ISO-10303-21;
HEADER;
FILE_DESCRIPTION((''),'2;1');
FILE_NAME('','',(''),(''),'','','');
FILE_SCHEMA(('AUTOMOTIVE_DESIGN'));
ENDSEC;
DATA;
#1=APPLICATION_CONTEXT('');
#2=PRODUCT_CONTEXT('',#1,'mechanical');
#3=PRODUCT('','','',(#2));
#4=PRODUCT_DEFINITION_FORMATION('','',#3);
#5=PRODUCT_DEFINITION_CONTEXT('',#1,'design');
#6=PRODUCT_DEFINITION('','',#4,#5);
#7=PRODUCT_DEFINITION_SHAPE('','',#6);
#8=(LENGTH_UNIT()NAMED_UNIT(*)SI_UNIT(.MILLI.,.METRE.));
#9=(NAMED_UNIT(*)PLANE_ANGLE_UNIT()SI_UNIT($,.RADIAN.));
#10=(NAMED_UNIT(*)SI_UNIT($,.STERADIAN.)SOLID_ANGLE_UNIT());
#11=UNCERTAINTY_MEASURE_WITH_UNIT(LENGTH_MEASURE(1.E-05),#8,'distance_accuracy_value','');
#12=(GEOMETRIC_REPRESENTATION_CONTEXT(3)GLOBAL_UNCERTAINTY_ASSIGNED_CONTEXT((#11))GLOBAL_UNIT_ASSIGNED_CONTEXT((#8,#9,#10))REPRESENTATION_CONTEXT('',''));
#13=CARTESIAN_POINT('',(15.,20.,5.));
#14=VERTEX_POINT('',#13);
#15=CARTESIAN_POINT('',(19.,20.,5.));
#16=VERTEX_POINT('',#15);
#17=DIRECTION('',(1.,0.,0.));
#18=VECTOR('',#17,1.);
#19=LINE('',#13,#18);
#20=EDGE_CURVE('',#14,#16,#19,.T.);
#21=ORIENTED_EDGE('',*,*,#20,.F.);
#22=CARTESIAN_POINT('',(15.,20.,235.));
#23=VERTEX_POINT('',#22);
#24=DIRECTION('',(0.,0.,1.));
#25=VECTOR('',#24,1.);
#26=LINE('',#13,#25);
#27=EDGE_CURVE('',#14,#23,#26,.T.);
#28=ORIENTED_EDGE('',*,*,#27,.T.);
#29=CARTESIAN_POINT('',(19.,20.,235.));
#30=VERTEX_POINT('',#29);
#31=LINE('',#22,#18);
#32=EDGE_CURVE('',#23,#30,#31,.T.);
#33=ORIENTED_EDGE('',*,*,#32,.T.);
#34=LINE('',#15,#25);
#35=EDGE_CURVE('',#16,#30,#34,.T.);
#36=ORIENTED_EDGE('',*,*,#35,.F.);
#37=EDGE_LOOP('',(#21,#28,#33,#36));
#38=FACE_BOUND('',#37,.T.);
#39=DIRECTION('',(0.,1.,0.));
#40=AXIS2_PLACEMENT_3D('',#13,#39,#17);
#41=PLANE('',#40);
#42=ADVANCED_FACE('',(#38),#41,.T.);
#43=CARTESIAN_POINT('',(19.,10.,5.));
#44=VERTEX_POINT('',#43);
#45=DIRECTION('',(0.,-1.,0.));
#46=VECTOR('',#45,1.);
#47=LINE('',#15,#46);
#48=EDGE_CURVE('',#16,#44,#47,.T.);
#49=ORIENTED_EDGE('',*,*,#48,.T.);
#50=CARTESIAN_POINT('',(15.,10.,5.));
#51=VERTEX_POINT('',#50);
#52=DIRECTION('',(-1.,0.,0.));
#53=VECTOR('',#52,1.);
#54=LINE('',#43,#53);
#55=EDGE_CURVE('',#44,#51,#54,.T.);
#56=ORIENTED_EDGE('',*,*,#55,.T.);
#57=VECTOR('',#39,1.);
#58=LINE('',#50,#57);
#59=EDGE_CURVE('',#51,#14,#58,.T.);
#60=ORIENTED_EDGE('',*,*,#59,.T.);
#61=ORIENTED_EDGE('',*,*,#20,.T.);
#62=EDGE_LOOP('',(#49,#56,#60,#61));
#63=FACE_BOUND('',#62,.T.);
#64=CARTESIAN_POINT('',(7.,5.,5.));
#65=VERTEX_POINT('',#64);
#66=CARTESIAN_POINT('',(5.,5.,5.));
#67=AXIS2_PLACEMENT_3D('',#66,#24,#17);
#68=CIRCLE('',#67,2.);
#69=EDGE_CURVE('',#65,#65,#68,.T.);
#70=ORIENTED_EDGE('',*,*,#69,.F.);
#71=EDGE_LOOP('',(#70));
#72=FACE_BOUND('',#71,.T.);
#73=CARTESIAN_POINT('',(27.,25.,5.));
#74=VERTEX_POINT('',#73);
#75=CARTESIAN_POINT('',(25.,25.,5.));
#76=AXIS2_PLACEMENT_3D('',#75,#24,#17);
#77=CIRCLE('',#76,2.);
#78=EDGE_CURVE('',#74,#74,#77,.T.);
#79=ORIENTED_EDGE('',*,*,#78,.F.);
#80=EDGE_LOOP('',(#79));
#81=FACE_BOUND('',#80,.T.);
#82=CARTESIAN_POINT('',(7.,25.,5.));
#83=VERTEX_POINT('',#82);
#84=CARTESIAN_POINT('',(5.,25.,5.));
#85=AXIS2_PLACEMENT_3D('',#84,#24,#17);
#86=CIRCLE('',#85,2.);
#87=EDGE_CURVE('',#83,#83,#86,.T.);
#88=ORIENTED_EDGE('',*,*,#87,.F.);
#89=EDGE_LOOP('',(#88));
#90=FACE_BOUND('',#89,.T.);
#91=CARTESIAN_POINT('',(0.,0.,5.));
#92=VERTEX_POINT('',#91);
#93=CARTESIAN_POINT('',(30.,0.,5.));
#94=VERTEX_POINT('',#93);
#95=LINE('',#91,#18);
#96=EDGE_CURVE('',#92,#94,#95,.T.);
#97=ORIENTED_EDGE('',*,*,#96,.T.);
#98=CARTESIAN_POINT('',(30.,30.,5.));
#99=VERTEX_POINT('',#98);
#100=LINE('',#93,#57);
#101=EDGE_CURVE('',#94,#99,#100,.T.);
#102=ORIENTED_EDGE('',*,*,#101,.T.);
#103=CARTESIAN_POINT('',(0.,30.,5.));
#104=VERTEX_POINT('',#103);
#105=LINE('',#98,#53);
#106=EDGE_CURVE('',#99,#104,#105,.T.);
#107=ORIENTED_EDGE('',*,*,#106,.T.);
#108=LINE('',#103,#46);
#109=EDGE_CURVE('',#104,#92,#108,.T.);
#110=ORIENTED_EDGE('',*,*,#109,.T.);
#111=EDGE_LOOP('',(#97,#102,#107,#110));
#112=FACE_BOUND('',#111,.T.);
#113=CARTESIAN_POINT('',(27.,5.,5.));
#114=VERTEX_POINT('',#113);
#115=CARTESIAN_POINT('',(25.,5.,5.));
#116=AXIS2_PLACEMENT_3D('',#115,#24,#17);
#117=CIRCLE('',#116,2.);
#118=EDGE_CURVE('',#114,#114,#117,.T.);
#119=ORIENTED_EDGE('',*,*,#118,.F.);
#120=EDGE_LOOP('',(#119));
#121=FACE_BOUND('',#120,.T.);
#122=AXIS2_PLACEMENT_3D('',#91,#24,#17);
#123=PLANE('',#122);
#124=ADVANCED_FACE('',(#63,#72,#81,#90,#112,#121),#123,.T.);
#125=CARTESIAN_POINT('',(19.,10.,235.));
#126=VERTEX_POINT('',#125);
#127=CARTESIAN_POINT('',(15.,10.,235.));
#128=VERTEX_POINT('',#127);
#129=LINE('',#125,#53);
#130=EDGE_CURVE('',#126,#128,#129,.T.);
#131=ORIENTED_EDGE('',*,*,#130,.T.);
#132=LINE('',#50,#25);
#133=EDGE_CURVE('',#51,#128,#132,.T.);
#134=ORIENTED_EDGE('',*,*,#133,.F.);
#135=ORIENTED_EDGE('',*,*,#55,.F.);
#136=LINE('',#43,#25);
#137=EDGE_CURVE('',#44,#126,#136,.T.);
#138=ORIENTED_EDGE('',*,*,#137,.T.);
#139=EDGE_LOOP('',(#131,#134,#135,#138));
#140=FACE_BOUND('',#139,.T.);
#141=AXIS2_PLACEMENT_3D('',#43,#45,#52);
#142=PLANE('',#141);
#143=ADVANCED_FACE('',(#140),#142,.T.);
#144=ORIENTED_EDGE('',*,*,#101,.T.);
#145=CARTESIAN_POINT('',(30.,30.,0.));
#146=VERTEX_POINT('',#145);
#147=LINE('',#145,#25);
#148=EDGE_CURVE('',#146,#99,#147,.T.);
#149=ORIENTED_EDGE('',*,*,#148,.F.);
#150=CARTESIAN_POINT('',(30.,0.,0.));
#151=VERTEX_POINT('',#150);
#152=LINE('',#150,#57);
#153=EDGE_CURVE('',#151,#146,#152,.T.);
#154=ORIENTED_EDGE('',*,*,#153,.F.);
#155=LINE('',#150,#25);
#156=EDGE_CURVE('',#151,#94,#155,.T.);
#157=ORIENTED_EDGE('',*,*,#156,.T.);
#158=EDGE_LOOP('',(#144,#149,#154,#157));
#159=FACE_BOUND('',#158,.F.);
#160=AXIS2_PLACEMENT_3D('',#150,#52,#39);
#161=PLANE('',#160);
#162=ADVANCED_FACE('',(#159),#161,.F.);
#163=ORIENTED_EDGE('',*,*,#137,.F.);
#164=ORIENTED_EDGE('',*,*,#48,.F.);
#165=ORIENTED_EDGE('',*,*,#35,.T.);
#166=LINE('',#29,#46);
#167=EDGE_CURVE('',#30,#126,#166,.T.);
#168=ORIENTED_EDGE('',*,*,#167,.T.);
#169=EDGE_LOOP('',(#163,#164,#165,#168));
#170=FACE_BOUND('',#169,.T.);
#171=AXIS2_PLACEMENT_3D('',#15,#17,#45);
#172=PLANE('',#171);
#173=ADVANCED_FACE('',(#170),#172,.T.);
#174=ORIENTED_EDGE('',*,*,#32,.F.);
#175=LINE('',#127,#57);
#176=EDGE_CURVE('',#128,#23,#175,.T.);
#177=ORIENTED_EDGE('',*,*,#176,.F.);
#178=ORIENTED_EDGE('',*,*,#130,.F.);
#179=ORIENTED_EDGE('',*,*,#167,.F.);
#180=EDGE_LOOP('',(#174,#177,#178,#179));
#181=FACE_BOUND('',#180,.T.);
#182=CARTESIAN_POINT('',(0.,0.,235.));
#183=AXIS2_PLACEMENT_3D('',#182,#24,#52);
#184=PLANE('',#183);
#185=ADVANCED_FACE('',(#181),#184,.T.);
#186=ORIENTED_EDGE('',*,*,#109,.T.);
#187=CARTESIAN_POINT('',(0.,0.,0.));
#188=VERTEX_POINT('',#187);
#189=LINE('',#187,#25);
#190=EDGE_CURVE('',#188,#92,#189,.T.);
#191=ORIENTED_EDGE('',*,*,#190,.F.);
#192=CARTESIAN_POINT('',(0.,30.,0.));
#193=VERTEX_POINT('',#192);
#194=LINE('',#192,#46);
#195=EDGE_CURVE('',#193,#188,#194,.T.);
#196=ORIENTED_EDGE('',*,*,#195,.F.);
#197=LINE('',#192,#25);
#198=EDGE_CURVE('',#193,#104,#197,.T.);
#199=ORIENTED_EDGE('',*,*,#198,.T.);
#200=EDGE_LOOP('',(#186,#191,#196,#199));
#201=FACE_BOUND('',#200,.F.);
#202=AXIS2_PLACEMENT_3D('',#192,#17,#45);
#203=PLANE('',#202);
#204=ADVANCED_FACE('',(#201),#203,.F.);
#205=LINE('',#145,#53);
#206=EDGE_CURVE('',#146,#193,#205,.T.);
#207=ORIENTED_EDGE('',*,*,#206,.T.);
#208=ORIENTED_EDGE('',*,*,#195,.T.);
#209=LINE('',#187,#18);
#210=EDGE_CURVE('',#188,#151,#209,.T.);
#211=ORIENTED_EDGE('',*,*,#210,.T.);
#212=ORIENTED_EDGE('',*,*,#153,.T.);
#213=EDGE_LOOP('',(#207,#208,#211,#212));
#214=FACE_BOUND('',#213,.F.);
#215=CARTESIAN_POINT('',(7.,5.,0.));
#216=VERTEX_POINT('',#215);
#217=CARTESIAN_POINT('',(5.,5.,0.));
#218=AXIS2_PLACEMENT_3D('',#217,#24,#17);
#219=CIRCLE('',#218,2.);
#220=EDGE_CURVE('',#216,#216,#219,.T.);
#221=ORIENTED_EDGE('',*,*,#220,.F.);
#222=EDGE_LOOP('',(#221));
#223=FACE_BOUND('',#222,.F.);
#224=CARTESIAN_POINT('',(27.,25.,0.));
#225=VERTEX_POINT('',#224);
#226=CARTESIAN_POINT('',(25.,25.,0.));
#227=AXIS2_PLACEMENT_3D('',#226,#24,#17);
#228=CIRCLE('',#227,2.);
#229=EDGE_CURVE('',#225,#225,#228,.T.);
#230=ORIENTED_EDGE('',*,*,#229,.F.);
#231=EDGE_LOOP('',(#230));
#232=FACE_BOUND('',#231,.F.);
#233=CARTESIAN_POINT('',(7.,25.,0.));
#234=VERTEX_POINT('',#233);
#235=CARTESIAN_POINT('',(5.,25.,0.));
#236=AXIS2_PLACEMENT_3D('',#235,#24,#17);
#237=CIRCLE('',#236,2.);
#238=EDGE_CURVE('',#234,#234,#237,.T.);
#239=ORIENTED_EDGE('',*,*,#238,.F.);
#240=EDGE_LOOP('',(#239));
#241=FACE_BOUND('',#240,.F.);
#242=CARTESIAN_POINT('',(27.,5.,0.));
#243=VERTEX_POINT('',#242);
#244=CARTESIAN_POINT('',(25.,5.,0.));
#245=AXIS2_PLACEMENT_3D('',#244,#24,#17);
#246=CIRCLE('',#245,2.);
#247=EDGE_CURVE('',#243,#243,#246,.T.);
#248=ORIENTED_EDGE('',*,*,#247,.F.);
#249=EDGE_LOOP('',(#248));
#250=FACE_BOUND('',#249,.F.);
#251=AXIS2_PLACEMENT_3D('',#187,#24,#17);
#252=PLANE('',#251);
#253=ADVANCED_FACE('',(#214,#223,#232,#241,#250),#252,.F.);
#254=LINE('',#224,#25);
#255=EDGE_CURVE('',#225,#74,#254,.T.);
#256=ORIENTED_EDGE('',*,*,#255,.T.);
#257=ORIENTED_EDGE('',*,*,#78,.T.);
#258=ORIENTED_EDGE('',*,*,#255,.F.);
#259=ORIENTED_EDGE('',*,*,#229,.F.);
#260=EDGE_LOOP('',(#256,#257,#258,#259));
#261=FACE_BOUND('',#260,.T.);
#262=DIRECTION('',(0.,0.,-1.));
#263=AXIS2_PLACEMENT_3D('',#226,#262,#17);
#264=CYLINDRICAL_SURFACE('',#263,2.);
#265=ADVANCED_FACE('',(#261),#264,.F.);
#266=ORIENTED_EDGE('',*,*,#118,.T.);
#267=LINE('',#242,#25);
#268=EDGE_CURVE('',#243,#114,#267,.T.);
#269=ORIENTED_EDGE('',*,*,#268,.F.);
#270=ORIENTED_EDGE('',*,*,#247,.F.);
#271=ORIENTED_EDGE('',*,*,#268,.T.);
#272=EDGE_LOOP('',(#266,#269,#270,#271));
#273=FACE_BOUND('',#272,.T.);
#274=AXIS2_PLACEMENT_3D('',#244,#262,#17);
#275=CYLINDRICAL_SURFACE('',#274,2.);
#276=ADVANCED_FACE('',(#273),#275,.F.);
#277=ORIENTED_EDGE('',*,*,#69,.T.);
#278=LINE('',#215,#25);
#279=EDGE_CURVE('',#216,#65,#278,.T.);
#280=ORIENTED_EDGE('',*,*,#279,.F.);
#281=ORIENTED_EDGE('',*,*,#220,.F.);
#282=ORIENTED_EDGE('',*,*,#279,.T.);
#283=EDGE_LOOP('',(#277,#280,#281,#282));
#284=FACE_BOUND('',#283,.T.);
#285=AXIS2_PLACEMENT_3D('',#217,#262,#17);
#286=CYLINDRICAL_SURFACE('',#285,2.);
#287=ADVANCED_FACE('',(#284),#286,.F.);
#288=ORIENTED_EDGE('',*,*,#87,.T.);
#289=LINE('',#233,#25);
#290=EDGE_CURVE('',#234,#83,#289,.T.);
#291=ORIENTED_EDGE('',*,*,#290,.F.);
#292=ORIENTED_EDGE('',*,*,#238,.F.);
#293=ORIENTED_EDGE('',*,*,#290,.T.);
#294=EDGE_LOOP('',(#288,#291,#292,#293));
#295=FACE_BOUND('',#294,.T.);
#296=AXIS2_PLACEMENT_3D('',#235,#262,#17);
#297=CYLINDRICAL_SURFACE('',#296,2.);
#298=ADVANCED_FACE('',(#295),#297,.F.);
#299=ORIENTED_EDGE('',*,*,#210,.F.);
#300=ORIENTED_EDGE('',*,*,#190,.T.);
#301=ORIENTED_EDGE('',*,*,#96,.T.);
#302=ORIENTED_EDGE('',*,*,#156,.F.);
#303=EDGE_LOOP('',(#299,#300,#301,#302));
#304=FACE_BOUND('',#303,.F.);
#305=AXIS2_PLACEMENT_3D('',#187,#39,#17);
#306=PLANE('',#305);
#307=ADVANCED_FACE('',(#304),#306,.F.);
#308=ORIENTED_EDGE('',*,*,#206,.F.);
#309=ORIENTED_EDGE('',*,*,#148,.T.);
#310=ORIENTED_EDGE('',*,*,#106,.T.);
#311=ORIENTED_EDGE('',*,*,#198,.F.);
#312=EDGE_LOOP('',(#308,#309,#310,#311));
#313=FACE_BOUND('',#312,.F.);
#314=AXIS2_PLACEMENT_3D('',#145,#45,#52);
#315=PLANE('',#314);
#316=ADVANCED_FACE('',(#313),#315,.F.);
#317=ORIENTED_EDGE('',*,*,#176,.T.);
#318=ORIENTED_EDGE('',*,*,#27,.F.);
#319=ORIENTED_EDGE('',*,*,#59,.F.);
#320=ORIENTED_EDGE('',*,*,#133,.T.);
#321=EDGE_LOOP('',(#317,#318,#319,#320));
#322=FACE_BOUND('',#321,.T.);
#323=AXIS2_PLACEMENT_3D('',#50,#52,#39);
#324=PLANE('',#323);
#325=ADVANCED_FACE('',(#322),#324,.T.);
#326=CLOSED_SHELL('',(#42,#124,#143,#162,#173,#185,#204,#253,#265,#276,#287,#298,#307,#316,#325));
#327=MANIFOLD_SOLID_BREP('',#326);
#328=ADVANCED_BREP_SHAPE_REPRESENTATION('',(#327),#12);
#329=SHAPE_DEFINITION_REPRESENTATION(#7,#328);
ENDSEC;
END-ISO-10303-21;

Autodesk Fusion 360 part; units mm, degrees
sketch "Sketch1" plane through (0, 0, 0) normal (0, 0, 1) x (1, 0, 0)
  line L0 (0, 0) -> (30, 0)
  line L1 (30, 0) -> (30, 30)
  line L2 (30, 30) -> (0, 30)
  line L3 (0, 30) -> (0, 0)
  circle A0 centre (5, 25) radius 2
  circle A1 centre (25, 25) radius 2
  circle A2 centre (25, 5) radius 2
  circle A3 centre (5, 5) radius 2
  dimension "d1" = 30
  dimension "d2" = 30
  dimension "d3" = 4
  dimension "d4" = 5
  dimension "d5" = 5
  dimension "d6" = 4
  dimension "d7" = 4
  dimension "d8" = 4
  dimension "d9" = 20
  dimension "d10" = 20
  dimension "d11" = 20
  dimension "d12" = 20
  dimension "d13" = 5
  dimension "d14" = 5
extrude "Extrude1" add sketch "Sketch1" along normal blind 5
sketch "Sketch2" plane through (0, 0, 5) normal (0, 0, 1) x (-1, 0, 0)
  circle A0 centre (-5, -5) radius 2
  circle A1 centre (-25, -5) radius 2
  circle A2 centre (-5, -25) radius 2
  circle A3 centre (-25, -25) radius 2
  line L0 (0, -30) -> (0, 0)
  line L1 (0, 0) -> (-30, 0)
  line L2 (-30, 0) -> (-30, -30)
  line L3 (-30, -30) -> (0, -30)
  line L4 (-15, -20) -> (-19, -20)
  line L5 (-19, -20) -> (-19, -10)
  line L6 (-19, -10) -> (-15, -10)
  line L7 (-15, -10) -> (-15, -20)
  dimension "d17" = 4
  dimension "d18" = 10
  dimension "d19" = 15
  dimension "d20" = 10
extrude "Extrude3" add sketch "Sketch2" along normal blind 230 contours L4 L5 L6 L7
